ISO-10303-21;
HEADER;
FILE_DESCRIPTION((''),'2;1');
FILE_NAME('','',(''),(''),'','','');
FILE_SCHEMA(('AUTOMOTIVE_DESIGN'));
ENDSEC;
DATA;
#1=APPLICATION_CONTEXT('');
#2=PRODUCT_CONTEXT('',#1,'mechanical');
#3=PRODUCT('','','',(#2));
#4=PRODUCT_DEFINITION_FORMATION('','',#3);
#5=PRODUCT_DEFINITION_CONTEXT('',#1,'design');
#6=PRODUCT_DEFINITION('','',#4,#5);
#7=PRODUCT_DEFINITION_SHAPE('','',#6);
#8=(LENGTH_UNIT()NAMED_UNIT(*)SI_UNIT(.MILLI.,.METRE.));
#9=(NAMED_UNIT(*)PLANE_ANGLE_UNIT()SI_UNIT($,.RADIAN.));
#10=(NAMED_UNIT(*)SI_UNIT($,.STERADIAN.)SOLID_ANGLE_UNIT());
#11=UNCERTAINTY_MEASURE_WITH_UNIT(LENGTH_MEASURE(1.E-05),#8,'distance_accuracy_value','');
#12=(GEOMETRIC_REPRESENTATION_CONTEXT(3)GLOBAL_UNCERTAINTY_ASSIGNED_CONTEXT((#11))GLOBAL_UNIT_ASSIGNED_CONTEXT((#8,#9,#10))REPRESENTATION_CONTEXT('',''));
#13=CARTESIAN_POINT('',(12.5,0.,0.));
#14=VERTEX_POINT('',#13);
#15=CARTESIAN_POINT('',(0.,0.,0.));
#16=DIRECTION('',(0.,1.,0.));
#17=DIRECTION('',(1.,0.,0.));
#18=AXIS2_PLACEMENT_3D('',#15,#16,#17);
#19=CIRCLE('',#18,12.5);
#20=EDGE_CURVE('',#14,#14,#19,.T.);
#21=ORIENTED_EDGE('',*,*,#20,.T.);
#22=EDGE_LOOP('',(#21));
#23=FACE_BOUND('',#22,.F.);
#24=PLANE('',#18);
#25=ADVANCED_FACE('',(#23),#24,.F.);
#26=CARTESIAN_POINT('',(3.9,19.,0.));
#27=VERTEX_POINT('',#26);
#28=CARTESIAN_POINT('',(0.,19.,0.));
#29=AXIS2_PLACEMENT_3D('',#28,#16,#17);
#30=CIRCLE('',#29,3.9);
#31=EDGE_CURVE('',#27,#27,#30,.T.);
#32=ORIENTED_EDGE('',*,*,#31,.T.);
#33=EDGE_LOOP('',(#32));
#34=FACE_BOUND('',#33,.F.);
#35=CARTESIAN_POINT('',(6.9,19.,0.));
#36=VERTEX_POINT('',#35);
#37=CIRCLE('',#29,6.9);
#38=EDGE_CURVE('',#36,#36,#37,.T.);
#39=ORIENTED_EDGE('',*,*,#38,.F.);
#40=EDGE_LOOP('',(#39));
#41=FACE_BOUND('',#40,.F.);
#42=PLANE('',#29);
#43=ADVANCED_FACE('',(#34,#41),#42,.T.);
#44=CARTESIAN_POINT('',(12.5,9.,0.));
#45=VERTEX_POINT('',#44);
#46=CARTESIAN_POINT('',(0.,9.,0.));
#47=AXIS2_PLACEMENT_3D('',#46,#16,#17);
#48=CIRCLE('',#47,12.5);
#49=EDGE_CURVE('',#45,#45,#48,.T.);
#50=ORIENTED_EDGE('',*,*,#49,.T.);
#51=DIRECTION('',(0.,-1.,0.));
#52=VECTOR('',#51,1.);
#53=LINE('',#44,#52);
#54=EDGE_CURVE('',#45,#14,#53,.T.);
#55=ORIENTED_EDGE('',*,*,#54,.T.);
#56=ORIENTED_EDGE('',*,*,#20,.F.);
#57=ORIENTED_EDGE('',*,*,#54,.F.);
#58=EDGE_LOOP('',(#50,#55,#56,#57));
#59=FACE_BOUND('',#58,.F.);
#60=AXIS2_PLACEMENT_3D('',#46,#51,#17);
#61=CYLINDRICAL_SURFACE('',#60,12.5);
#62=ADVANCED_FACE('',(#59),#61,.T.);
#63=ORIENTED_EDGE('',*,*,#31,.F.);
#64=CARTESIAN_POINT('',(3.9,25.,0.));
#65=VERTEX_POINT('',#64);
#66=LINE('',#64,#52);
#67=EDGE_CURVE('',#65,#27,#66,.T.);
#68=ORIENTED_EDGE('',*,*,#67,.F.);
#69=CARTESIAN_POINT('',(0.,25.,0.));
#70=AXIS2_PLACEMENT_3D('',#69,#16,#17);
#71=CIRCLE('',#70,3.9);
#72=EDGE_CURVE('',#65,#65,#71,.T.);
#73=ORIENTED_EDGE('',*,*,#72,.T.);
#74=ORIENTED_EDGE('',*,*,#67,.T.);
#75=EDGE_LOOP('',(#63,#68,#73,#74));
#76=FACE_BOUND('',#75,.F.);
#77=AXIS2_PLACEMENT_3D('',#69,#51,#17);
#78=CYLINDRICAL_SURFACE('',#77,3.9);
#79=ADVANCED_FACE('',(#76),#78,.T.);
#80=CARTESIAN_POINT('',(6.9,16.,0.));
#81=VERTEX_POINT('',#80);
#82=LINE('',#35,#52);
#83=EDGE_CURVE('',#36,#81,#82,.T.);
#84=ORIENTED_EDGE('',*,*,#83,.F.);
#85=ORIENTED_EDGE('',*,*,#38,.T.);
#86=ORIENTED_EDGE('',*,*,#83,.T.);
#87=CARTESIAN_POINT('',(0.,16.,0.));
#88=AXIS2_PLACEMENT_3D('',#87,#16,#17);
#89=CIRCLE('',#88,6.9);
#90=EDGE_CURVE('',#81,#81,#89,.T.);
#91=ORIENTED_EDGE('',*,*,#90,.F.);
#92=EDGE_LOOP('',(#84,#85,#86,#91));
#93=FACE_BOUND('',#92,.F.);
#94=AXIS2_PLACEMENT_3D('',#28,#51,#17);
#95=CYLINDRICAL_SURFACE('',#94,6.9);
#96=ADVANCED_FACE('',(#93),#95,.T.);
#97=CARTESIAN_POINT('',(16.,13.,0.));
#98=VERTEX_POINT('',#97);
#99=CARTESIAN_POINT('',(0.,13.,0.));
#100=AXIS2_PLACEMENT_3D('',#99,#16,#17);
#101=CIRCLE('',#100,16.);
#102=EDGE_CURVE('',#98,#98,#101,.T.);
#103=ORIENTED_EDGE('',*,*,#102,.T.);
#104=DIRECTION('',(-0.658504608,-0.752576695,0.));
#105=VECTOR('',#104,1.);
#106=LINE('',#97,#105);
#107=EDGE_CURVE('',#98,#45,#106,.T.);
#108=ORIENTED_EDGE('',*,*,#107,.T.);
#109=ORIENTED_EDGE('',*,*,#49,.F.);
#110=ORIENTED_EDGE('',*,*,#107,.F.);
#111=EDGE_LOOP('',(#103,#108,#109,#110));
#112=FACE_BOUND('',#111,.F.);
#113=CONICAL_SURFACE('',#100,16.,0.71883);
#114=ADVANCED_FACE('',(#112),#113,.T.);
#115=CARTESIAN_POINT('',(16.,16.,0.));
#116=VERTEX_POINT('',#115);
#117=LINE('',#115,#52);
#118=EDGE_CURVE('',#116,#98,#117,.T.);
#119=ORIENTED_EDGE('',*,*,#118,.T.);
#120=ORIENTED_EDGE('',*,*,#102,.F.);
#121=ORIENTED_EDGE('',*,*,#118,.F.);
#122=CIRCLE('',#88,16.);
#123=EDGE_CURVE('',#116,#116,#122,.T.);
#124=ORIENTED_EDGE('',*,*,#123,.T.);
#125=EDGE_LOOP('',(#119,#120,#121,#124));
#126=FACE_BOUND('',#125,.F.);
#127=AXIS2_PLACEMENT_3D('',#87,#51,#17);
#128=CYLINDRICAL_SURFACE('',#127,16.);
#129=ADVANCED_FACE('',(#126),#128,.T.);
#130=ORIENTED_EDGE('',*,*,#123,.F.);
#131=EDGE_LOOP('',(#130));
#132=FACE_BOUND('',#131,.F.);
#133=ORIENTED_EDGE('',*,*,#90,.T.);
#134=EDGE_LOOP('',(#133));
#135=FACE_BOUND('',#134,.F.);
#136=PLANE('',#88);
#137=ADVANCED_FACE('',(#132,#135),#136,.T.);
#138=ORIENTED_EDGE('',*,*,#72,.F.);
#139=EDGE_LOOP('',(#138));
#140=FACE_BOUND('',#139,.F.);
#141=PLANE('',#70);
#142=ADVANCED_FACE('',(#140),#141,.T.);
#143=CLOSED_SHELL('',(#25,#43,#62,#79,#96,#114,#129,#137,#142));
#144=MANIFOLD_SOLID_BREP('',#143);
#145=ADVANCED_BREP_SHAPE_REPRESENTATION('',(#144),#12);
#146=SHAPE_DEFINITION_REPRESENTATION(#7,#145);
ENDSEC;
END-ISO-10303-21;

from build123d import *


with BuildPart() as part:
    # Sketch → Revolution (revolve)
    with BuildSketch(Plane.XY):
        Polygon((0, 25), (3.9, 25), (3.9, 19), (6.9, 19), (6.9, 16), (16, 16), (16, 13), (12.5, 9), (12.5, 0), (0, 0), align=None)
    revolve(axis=Axis((0, 0, 0), (0, 1, 0)))


solid = part.part
